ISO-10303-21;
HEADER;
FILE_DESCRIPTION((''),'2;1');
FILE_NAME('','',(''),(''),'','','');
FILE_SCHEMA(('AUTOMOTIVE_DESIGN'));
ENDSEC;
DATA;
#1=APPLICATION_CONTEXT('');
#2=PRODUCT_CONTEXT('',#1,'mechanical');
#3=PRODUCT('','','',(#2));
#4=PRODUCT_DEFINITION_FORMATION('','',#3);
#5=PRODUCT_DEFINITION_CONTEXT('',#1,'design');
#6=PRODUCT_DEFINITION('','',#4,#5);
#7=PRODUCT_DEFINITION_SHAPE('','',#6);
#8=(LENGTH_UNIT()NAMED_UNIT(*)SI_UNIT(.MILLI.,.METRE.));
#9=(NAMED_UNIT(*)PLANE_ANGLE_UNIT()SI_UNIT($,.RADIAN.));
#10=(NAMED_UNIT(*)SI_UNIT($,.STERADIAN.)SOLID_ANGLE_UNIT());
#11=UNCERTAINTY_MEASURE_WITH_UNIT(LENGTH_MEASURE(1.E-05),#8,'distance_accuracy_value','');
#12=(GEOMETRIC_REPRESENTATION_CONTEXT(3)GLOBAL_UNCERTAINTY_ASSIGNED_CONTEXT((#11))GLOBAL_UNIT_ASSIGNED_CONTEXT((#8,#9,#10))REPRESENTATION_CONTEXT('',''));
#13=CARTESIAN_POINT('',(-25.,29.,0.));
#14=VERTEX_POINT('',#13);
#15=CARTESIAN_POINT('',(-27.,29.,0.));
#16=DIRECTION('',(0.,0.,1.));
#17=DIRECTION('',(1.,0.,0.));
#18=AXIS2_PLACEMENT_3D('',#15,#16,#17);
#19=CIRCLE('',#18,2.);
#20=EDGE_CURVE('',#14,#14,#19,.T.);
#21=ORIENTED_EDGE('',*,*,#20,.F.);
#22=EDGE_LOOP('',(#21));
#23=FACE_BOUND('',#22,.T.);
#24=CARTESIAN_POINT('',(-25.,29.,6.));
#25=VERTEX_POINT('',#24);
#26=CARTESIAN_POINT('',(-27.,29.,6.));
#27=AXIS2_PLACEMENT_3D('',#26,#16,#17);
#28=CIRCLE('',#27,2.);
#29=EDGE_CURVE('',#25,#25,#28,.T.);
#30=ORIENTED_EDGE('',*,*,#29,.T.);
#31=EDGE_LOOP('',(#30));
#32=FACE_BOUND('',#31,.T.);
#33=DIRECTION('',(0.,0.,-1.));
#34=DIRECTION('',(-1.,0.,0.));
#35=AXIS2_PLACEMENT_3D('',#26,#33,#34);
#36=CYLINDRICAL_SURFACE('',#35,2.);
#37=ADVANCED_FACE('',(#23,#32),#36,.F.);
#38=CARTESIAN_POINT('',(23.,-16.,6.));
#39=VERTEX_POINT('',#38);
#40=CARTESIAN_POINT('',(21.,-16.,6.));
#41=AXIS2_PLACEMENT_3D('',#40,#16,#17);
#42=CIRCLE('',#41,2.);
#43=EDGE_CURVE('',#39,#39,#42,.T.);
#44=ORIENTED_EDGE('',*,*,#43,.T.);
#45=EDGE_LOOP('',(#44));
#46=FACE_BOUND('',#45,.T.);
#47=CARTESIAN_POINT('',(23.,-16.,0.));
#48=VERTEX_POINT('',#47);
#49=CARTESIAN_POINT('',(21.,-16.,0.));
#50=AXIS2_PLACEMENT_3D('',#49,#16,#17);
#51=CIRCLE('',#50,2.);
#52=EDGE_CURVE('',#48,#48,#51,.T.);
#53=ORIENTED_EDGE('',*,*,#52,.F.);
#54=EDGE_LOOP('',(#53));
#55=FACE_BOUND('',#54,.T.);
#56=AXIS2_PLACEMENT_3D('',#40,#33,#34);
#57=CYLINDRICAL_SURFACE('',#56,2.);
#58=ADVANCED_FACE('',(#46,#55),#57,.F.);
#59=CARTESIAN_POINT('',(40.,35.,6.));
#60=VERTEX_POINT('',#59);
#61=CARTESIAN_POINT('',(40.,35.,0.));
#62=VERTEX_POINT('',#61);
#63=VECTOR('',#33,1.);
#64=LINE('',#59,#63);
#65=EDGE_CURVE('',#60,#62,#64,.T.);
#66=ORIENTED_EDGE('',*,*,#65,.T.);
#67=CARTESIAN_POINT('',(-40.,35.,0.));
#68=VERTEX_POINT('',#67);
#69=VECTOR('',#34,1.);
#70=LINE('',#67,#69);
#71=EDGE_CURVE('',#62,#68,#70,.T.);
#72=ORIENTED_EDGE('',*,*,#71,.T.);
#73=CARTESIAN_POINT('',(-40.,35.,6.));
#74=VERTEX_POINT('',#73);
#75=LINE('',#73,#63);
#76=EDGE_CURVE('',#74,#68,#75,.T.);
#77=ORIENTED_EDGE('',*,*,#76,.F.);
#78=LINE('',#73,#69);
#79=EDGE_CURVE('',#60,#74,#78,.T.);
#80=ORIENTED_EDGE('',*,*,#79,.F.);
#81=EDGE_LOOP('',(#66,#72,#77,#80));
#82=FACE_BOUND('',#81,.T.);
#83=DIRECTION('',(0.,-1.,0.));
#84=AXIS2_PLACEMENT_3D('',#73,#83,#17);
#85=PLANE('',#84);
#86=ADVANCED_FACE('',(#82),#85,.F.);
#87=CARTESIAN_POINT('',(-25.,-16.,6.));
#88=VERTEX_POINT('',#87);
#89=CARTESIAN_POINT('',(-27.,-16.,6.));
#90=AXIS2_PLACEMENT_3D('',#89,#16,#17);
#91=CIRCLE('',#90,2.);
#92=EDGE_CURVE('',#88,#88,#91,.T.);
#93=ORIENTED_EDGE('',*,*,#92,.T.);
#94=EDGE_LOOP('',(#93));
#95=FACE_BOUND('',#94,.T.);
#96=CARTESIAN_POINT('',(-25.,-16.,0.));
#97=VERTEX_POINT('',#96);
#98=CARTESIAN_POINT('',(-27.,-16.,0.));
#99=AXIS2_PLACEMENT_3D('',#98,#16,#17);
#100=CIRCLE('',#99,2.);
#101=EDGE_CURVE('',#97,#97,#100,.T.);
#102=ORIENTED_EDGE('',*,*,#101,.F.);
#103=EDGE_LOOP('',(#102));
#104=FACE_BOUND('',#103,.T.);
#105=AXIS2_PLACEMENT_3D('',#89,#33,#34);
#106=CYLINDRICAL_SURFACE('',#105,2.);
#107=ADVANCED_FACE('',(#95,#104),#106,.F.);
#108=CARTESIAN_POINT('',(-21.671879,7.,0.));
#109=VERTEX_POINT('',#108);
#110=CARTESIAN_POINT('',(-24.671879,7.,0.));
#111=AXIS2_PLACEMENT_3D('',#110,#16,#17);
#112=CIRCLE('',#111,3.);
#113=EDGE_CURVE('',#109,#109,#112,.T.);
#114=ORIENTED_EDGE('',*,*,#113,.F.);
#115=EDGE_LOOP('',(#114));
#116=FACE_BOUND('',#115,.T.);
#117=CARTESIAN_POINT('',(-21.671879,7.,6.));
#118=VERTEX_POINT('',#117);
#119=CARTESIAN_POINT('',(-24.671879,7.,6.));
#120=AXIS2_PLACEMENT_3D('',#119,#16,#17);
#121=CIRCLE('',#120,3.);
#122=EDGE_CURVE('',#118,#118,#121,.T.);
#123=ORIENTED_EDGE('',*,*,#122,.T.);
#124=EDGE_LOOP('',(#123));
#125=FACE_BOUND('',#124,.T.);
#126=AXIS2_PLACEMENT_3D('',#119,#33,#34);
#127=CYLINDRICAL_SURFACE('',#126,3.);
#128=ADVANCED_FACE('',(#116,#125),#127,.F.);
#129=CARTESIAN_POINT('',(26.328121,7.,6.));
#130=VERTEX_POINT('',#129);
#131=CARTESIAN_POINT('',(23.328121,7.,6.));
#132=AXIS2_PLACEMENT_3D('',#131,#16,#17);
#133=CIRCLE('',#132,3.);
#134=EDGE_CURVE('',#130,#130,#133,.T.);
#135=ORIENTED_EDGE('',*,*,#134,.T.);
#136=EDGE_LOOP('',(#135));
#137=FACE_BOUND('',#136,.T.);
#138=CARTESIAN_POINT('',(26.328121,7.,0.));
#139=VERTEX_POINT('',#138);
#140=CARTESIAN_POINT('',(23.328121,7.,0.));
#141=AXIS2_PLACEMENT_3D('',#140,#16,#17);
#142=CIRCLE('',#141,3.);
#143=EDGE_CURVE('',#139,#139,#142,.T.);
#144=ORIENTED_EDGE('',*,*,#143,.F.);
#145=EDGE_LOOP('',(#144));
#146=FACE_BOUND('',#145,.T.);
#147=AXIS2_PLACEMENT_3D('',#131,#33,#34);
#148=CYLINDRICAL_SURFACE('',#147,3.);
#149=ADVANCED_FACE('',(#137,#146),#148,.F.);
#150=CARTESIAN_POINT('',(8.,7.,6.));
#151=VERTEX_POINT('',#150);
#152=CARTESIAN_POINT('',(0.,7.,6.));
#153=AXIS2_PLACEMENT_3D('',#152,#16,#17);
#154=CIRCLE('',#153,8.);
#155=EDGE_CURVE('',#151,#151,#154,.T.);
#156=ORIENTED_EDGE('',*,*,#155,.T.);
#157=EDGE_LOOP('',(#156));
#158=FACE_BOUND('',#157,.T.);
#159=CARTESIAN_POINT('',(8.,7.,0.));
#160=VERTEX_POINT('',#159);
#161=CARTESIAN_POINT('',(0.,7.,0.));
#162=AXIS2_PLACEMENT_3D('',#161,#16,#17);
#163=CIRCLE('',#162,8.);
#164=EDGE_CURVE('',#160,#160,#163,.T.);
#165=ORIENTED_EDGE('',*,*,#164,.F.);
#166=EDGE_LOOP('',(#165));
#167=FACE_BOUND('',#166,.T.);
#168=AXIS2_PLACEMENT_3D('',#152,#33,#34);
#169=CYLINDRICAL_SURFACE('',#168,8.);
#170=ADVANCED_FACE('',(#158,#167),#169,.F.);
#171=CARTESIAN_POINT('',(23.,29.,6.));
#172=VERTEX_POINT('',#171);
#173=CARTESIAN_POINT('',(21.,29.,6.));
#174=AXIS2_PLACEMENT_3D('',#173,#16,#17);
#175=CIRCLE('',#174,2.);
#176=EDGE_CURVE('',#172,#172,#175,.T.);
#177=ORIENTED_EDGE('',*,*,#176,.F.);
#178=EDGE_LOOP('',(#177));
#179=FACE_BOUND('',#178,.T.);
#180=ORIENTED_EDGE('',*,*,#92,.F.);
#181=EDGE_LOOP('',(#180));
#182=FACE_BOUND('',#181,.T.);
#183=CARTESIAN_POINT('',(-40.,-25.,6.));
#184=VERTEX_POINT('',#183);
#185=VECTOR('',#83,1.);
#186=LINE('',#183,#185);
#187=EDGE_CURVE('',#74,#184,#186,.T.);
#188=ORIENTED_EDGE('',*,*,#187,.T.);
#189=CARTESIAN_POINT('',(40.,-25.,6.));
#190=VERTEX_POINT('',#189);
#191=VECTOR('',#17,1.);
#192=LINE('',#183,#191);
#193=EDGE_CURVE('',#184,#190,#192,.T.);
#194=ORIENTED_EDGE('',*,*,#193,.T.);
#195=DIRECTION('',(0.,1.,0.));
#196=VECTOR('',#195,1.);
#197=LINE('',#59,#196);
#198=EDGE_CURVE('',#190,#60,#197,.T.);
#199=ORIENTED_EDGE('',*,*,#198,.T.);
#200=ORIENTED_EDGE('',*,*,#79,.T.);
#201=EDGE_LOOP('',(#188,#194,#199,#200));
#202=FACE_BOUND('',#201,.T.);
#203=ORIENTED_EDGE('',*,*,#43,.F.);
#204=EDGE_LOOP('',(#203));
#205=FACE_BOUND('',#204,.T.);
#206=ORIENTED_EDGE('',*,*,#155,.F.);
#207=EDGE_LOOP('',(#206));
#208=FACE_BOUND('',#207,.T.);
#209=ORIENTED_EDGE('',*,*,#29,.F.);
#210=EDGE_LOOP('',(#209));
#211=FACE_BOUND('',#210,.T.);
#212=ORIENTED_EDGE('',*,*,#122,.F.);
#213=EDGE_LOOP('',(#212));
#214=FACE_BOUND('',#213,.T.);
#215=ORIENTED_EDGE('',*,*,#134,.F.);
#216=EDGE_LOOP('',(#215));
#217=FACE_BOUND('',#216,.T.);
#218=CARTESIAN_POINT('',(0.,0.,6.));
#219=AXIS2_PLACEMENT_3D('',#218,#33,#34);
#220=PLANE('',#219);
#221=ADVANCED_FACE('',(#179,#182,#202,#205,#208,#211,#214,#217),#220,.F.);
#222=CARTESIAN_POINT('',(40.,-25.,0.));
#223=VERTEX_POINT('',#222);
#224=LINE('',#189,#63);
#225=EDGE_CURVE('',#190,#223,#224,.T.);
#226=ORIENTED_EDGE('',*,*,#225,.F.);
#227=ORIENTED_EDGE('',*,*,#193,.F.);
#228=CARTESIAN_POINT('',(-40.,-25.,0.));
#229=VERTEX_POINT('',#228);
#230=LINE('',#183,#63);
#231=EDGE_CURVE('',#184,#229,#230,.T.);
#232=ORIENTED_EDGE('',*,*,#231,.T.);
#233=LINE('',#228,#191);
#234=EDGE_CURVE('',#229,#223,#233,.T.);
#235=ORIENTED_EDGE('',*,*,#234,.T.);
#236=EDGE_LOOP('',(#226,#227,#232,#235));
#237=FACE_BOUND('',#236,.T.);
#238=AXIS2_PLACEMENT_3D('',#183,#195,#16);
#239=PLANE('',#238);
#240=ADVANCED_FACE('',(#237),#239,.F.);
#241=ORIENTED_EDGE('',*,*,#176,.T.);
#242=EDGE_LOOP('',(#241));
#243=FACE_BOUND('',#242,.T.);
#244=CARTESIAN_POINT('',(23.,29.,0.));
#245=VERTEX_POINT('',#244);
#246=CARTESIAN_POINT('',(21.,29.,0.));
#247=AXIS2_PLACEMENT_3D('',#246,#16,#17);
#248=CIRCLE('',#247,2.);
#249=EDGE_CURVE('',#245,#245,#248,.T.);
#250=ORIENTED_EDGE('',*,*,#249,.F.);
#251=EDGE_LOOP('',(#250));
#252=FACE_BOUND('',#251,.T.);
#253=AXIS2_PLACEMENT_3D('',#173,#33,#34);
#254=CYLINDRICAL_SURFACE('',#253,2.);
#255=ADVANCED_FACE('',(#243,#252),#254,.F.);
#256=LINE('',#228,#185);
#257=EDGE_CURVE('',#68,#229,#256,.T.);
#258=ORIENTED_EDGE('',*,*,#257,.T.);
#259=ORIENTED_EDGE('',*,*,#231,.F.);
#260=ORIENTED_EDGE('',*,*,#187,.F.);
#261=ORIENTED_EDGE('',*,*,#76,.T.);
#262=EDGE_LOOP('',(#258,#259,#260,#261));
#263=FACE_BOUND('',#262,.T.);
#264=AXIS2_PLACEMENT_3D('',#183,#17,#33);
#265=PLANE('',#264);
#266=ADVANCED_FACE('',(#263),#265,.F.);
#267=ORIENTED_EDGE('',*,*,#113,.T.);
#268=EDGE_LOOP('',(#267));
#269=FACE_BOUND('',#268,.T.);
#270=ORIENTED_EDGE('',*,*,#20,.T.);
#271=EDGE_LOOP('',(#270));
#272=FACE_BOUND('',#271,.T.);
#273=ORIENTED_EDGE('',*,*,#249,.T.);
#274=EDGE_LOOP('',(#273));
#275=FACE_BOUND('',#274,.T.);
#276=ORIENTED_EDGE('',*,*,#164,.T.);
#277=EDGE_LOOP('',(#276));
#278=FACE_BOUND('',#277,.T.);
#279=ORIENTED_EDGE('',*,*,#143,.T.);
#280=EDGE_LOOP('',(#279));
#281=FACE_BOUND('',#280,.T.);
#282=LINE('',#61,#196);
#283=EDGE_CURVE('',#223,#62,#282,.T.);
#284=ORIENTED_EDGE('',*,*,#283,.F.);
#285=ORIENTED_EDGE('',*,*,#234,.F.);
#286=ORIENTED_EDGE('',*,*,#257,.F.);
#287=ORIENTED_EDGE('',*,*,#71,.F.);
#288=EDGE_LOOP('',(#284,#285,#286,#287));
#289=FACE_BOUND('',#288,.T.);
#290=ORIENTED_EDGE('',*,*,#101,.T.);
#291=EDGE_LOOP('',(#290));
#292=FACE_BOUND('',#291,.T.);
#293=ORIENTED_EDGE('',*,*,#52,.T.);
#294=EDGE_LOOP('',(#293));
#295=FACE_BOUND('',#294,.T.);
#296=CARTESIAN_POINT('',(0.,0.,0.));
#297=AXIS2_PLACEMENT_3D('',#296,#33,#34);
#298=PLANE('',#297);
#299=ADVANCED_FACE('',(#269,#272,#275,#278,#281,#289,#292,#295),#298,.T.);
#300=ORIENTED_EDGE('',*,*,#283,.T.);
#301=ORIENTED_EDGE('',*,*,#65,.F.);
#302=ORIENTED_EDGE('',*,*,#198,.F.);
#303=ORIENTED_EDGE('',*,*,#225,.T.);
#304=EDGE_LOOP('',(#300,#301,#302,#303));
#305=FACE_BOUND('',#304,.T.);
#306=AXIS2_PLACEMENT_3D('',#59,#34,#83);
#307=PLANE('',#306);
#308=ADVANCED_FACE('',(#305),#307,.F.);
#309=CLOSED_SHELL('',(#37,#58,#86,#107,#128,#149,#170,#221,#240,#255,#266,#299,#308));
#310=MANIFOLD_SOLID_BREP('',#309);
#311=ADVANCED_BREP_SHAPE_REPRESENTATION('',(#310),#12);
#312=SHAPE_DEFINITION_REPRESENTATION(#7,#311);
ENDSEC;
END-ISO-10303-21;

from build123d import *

# Parameters (mm, degrees)
SKETCH_1_W      = 80
SKETCH_1_H      = 60
SKETCH_1_R      = 3
SKETCH_1_R_2    = 2
SKETCH_1_R_3    = 8
EXTRUDE_1_DEPTH = 6


with BuildPart() as part:
    # 草图1 → 凸台-拉伸1 (new body)
    with BuildSketch(Plane.XY):
        with Locations((0, 5)):
            Rectangle(SKETCH_1_W, SKETCH_1_H)
        with Locations((23.328121258, 7)):
            Circle(SKETCH_1_R, mode=Mode.SUBTRACT)
        with Locations((-24.671878742, 7)):
            Circle(SKETCH_1_R, mode=Mode.SUBTRACT)
        with Locations((-27, 29)):
            Circle(SKETCH_1_R_2, mode=Mode.SUBTRACT)
        with Locations((21, 29)):
            Circle(SKETCH_1_R_2, mode=Mode.SUBTRACT)
        with Locations((-27, -16)):
            Circle(SKETCH_1_R_2, mode=Mode.SUBTRACT)
        with Locations((21, -16)):
            Circle(SKETCH_1_R_2, mode=Mode.SUBTRACT)
        with Locations((0, 7)):
            Circle(SKETCH_1_R_3, mode=Mode.SUBTRACT)
    extrude(amount=EXTRUDE_1_DEPTH)


solid = part.part
